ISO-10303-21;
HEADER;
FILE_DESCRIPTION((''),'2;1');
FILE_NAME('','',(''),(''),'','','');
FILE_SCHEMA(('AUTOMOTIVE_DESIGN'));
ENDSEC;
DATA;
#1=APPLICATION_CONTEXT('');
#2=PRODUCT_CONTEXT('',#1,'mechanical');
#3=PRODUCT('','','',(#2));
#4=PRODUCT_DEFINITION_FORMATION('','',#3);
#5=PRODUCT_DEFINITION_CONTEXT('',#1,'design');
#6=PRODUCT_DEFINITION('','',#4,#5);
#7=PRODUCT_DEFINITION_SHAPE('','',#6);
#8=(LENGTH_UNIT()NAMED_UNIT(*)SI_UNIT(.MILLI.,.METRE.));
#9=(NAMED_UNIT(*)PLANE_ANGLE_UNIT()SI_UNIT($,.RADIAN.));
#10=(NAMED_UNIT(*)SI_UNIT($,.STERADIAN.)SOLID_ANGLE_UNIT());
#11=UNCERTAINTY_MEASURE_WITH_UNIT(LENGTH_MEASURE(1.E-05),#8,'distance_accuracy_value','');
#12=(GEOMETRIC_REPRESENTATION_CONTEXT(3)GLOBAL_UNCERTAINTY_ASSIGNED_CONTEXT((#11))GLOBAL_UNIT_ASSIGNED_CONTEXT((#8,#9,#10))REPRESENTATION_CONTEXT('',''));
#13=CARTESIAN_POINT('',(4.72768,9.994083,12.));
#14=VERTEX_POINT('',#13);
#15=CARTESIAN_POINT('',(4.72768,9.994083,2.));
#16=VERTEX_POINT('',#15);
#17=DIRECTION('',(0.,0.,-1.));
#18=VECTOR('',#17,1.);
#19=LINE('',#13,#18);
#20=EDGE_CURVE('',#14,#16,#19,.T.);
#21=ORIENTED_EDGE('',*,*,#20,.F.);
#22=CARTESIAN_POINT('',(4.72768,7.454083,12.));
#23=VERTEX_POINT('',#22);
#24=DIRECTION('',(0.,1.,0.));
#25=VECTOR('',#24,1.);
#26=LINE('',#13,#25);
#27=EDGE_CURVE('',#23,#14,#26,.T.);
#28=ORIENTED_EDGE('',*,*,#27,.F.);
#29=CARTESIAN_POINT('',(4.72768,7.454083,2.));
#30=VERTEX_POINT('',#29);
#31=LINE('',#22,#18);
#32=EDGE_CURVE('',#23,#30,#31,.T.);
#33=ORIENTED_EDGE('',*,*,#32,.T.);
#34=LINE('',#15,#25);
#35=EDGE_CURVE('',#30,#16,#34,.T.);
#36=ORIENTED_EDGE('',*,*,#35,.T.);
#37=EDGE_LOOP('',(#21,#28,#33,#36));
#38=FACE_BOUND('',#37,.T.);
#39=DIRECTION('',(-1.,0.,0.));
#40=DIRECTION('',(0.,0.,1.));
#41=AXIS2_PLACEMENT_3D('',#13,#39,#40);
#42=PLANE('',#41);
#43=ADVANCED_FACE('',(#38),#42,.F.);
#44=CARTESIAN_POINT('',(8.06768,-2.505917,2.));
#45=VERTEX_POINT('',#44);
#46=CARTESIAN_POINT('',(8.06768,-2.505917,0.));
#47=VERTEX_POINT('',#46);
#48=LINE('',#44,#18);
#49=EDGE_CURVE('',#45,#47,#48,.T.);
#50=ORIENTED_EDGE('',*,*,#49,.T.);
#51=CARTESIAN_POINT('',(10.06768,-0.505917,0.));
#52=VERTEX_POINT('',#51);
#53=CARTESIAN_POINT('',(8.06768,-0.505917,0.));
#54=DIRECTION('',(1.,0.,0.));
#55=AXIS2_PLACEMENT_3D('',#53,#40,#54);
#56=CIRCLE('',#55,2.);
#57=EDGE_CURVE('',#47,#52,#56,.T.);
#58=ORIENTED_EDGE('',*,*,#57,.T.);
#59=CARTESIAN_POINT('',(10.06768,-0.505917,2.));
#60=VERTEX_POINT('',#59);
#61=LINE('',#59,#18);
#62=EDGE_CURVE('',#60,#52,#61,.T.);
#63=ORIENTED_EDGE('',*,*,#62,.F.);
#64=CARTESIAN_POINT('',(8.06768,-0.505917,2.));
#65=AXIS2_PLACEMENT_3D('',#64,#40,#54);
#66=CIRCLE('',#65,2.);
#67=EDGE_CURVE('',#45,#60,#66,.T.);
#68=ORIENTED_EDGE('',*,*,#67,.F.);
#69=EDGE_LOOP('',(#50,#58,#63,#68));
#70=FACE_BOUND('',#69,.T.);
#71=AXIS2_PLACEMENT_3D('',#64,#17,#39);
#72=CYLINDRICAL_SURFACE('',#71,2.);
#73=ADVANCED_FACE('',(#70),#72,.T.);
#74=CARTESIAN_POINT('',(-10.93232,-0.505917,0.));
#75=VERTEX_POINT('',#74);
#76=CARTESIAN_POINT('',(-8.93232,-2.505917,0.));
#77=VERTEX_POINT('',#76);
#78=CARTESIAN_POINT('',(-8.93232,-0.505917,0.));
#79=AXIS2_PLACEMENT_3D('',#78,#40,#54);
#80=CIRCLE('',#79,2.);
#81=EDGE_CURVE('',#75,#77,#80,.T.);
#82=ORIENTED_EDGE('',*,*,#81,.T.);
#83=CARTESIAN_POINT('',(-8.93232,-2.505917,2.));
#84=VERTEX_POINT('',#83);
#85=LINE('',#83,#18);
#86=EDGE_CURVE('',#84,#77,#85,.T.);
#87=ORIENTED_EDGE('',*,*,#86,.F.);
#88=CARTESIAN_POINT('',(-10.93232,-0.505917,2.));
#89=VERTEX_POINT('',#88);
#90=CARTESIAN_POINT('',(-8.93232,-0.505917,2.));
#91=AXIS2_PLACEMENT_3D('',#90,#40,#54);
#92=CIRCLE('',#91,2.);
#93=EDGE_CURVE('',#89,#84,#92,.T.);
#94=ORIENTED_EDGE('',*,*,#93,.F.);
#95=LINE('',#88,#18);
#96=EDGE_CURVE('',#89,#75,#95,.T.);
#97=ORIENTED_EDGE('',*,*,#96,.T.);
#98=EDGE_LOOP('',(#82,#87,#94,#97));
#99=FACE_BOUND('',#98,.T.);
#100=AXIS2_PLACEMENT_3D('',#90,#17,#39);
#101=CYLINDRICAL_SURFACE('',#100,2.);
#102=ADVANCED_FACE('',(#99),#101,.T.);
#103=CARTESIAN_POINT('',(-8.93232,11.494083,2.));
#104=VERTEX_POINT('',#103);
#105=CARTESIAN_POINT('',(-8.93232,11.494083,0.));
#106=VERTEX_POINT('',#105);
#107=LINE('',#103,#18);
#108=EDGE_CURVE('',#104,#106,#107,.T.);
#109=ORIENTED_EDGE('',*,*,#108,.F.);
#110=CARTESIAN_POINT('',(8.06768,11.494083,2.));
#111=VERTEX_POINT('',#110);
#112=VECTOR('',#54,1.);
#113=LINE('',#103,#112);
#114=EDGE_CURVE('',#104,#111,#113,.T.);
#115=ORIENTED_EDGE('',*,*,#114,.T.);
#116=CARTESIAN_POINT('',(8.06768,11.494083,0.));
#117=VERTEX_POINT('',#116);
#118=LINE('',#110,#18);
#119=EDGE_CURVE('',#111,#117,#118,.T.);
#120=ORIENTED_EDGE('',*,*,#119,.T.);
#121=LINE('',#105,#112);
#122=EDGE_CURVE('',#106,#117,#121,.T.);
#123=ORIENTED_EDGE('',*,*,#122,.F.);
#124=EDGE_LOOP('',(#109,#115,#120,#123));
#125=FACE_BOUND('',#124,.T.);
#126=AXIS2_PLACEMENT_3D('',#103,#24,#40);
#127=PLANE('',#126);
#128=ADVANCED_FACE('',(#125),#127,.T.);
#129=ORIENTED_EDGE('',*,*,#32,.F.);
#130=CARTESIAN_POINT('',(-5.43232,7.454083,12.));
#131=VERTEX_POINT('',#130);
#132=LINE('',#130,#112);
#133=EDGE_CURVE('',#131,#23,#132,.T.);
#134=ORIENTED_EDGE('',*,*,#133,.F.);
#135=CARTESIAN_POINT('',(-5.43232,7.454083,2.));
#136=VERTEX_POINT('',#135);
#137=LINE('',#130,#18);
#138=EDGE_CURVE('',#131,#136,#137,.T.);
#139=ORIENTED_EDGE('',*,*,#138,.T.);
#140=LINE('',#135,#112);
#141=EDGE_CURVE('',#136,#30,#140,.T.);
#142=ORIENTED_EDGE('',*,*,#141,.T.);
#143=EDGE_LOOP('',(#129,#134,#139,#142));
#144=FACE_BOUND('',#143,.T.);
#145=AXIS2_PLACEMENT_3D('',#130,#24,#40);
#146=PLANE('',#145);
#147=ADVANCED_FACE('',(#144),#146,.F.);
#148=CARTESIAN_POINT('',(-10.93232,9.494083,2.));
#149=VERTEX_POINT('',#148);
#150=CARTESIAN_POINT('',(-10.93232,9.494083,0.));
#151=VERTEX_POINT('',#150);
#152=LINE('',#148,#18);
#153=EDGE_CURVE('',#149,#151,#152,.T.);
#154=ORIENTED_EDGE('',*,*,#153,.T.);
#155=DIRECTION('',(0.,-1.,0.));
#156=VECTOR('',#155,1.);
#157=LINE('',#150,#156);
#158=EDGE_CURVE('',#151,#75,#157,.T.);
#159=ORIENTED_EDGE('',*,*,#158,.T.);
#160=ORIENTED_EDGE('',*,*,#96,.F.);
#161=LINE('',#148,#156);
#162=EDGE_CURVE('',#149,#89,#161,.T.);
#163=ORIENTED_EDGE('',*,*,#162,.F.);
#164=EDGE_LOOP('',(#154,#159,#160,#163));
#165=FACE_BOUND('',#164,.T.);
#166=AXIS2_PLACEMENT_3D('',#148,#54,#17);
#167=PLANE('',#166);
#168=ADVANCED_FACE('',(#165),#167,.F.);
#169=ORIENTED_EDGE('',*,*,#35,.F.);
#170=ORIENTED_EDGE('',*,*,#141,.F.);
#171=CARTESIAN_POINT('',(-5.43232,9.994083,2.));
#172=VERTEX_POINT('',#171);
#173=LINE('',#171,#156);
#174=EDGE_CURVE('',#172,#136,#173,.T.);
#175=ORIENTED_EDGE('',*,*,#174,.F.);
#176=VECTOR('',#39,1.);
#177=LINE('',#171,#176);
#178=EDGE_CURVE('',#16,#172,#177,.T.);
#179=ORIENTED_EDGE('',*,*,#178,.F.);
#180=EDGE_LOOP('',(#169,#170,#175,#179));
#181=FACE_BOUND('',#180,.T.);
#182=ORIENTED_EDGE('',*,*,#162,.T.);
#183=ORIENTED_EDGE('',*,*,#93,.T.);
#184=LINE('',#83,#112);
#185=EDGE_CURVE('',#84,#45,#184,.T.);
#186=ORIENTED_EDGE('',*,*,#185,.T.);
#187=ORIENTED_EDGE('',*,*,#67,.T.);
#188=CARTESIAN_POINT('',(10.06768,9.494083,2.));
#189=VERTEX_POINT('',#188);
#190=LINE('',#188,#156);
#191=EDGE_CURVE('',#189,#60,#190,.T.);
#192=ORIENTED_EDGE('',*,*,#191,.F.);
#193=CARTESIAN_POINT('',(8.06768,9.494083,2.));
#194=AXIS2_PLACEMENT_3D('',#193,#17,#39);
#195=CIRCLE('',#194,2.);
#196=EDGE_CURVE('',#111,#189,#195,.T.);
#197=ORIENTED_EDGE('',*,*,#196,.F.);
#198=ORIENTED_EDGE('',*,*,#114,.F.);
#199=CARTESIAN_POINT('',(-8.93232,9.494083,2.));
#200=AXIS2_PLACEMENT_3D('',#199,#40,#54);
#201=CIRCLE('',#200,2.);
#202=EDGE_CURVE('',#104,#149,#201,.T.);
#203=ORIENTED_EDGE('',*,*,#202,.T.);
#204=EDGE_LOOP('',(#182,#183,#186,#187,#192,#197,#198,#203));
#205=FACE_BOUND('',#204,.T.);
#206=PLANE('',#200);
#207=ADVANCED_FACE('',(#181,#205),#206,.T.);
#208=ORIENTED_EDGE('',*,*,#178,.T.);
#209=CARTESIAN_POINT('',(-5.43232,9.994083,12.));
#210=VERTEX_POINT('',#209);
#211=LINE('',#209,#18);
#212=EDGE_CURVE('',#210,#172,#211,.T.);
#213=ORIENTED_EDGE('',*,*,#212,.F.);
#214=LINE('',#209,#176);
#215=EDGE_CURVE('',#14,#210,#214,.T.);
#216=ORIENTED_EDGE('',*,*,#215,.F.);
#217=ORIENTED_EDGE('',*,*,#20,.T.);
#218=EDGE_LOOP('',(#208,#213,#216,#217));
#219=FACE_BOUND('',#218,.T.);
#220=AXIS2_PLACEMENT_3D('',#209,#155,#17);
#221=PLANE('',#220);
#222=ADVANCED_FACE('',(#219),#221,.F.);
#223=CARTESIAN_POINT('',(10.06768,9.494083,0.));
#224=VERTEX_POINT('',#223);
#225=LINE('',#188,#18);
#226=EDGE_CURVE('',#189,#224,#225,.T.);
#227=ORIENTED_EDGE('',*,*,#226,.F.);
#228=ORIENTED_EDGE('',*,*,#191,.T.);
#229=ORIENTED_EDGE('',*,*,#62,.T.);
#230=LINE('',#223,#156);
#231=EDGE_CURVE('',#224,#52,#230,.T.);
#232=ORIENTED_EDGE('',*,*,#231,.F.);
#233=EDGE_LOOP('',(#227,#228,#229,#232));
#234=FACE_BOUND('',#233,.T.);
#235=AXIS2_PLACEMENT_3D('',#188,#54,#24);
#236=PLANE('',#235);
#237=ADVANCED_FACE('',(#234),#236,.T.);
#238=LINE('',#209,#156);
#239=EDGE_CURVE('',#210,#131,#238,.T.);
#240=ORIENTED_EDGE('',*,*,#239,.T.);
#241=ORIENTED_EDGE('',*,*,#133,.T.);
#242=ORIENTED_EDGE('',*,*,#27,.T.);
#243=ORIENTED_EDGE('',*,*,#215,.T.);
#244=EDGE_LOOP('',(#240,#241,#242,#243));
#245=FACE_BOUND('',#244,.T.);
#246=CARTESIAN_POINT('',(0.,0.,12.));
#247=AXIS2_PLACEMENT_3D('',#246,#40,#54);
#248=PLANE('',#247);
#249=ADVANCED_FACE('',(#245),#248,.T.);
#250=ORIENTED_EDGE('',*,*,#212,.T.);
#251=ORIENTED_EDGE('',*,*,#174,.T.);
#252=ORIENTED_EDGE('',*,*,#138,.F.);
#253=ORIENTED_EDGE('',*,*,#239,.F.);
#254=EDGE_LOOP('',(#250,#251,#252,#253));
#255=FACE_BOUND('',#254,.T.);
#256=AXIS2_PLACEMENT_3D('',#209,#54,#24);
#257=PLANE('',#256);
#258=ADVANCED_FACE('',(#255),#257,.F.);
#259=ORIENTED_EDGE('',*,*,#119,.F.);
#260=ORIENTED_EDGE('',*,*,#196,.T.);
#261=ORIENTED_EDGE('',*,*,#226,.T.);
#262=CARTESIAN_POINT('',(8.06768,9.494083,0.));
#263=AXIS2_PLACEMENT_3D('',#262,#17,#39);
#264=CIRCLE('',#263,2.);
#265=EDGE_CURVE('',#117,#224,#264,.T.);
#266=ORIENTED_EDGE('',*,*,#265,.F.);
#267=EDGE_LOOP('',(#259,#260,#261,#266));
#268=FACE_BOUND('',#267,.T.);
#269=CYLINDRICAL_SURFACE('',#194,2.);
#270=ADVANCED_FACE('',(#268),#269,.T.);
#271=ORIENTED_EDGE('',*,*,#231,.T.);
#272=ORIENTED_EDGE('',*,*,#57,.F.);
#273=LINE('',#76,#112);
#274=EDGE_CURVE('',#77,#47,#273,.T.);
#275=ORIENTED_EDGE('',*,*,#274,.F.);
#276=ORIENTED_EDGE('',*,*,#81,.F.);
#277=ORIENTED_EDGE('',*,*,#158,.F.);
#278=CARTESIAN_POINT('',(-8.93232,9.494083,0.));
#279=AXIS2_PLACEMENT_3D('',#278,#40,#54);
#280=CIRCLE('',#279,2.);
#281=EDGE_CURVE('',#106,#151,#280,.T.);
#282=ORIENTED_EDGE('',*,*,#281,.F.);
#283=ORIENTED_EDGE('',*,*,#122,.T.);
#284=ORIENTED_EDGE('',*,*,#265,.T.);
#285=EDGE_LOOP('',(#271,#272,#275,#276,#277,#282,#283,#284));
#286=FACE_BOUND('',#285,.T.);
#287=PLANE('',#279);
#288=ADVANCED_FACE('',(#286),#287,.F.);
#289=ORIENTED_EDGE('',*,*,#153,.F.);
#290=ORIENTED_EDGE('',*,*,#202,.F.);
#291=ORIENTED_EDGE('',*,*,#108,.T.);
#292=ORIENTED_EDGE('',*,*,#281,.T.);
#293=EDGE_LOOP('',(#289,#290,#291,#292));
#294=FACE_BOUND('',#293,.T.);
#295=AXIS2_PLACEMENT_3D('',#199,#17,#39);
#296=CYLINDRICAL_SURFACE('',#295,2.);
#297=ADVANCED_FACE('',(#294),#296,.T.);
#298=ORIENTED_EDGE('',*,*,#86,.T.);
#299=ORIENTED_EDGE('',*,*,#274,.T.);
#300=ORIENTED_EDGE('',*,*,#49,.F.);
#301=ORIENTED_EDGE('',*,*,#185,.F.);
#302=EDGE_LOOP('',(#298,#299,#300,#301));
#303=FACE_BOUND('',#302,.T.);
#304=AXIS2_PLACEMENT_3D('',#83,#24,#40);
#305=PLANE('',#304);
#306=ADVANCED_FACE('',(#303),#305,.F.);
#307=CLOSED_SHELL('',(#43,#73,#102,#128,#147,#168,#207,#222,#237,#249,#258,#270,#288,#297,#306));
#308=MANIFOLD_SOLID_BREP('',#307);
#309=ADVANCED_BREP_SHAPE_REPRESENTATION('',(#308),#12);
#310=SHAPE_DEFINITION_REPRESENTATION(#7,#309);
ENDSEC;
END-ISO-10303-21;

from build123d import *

# Parameters (mm, degrees)
DODANIE_WYCI_GNI_CIE1_DEPTH = 2
SZKIC2_W                    = 10.16
SZKIC2_H                    = 2.54
DODANIE_WYCI_GNI_CIE2_DEPTH = 10


with BuildPart() as part:
    # Szkic1 → Dodanie-wyciągnięcie1 (new body)
    with BuildSketch(Plane.XY):
        with BuildLine():
            Line((-8.932319644, 11.49408284), (8.067680356, 11.49408284))
            ThreePointArc((8.067680356, 11.49408284), (9.481893919, 10.908296403), (10.067680356, 9.49408284))
            Line((10.067680356, 9.49408284), (10.067680356, -0.50591716))
            ThreePointArc((10.067680356, -0.50591716), (9.481893919, -1.920130722), (8.067680356, -2.50591716))
            Line((8.067680356, -2.50591716), (-8.932319644, -2.50591716))
            ThreePointArc((-8.932319644, -2.50591716), (-10.346533206, -1.920130722), (-10.932319644, -0.50591716))
            Line((-10.932319644, -0.50591716), (-10.932319644, 9.49408284))
            ThreePointArc((-10.932319644, 9.49408284), (-10.346533206, 10.908296403), (-8.932319644, 11.49408284))
        make_face()
    extrude(amount=DODANIE_WYCI_GNI_CIE1_DEPTH)

    # Szkic2 → Dodanie-wyciągnięcie2 (add)
    with BuildSketch(Plane.XY.offset(2)):
        with Locations((-0.352319644, 8.72408284)):
            Rectangle(SZKIC2_W, SZKIC2_H)
    extrude(amount=DODANIE_WYCI_GNI_CIE2_DEPTH)


solid = part.part
